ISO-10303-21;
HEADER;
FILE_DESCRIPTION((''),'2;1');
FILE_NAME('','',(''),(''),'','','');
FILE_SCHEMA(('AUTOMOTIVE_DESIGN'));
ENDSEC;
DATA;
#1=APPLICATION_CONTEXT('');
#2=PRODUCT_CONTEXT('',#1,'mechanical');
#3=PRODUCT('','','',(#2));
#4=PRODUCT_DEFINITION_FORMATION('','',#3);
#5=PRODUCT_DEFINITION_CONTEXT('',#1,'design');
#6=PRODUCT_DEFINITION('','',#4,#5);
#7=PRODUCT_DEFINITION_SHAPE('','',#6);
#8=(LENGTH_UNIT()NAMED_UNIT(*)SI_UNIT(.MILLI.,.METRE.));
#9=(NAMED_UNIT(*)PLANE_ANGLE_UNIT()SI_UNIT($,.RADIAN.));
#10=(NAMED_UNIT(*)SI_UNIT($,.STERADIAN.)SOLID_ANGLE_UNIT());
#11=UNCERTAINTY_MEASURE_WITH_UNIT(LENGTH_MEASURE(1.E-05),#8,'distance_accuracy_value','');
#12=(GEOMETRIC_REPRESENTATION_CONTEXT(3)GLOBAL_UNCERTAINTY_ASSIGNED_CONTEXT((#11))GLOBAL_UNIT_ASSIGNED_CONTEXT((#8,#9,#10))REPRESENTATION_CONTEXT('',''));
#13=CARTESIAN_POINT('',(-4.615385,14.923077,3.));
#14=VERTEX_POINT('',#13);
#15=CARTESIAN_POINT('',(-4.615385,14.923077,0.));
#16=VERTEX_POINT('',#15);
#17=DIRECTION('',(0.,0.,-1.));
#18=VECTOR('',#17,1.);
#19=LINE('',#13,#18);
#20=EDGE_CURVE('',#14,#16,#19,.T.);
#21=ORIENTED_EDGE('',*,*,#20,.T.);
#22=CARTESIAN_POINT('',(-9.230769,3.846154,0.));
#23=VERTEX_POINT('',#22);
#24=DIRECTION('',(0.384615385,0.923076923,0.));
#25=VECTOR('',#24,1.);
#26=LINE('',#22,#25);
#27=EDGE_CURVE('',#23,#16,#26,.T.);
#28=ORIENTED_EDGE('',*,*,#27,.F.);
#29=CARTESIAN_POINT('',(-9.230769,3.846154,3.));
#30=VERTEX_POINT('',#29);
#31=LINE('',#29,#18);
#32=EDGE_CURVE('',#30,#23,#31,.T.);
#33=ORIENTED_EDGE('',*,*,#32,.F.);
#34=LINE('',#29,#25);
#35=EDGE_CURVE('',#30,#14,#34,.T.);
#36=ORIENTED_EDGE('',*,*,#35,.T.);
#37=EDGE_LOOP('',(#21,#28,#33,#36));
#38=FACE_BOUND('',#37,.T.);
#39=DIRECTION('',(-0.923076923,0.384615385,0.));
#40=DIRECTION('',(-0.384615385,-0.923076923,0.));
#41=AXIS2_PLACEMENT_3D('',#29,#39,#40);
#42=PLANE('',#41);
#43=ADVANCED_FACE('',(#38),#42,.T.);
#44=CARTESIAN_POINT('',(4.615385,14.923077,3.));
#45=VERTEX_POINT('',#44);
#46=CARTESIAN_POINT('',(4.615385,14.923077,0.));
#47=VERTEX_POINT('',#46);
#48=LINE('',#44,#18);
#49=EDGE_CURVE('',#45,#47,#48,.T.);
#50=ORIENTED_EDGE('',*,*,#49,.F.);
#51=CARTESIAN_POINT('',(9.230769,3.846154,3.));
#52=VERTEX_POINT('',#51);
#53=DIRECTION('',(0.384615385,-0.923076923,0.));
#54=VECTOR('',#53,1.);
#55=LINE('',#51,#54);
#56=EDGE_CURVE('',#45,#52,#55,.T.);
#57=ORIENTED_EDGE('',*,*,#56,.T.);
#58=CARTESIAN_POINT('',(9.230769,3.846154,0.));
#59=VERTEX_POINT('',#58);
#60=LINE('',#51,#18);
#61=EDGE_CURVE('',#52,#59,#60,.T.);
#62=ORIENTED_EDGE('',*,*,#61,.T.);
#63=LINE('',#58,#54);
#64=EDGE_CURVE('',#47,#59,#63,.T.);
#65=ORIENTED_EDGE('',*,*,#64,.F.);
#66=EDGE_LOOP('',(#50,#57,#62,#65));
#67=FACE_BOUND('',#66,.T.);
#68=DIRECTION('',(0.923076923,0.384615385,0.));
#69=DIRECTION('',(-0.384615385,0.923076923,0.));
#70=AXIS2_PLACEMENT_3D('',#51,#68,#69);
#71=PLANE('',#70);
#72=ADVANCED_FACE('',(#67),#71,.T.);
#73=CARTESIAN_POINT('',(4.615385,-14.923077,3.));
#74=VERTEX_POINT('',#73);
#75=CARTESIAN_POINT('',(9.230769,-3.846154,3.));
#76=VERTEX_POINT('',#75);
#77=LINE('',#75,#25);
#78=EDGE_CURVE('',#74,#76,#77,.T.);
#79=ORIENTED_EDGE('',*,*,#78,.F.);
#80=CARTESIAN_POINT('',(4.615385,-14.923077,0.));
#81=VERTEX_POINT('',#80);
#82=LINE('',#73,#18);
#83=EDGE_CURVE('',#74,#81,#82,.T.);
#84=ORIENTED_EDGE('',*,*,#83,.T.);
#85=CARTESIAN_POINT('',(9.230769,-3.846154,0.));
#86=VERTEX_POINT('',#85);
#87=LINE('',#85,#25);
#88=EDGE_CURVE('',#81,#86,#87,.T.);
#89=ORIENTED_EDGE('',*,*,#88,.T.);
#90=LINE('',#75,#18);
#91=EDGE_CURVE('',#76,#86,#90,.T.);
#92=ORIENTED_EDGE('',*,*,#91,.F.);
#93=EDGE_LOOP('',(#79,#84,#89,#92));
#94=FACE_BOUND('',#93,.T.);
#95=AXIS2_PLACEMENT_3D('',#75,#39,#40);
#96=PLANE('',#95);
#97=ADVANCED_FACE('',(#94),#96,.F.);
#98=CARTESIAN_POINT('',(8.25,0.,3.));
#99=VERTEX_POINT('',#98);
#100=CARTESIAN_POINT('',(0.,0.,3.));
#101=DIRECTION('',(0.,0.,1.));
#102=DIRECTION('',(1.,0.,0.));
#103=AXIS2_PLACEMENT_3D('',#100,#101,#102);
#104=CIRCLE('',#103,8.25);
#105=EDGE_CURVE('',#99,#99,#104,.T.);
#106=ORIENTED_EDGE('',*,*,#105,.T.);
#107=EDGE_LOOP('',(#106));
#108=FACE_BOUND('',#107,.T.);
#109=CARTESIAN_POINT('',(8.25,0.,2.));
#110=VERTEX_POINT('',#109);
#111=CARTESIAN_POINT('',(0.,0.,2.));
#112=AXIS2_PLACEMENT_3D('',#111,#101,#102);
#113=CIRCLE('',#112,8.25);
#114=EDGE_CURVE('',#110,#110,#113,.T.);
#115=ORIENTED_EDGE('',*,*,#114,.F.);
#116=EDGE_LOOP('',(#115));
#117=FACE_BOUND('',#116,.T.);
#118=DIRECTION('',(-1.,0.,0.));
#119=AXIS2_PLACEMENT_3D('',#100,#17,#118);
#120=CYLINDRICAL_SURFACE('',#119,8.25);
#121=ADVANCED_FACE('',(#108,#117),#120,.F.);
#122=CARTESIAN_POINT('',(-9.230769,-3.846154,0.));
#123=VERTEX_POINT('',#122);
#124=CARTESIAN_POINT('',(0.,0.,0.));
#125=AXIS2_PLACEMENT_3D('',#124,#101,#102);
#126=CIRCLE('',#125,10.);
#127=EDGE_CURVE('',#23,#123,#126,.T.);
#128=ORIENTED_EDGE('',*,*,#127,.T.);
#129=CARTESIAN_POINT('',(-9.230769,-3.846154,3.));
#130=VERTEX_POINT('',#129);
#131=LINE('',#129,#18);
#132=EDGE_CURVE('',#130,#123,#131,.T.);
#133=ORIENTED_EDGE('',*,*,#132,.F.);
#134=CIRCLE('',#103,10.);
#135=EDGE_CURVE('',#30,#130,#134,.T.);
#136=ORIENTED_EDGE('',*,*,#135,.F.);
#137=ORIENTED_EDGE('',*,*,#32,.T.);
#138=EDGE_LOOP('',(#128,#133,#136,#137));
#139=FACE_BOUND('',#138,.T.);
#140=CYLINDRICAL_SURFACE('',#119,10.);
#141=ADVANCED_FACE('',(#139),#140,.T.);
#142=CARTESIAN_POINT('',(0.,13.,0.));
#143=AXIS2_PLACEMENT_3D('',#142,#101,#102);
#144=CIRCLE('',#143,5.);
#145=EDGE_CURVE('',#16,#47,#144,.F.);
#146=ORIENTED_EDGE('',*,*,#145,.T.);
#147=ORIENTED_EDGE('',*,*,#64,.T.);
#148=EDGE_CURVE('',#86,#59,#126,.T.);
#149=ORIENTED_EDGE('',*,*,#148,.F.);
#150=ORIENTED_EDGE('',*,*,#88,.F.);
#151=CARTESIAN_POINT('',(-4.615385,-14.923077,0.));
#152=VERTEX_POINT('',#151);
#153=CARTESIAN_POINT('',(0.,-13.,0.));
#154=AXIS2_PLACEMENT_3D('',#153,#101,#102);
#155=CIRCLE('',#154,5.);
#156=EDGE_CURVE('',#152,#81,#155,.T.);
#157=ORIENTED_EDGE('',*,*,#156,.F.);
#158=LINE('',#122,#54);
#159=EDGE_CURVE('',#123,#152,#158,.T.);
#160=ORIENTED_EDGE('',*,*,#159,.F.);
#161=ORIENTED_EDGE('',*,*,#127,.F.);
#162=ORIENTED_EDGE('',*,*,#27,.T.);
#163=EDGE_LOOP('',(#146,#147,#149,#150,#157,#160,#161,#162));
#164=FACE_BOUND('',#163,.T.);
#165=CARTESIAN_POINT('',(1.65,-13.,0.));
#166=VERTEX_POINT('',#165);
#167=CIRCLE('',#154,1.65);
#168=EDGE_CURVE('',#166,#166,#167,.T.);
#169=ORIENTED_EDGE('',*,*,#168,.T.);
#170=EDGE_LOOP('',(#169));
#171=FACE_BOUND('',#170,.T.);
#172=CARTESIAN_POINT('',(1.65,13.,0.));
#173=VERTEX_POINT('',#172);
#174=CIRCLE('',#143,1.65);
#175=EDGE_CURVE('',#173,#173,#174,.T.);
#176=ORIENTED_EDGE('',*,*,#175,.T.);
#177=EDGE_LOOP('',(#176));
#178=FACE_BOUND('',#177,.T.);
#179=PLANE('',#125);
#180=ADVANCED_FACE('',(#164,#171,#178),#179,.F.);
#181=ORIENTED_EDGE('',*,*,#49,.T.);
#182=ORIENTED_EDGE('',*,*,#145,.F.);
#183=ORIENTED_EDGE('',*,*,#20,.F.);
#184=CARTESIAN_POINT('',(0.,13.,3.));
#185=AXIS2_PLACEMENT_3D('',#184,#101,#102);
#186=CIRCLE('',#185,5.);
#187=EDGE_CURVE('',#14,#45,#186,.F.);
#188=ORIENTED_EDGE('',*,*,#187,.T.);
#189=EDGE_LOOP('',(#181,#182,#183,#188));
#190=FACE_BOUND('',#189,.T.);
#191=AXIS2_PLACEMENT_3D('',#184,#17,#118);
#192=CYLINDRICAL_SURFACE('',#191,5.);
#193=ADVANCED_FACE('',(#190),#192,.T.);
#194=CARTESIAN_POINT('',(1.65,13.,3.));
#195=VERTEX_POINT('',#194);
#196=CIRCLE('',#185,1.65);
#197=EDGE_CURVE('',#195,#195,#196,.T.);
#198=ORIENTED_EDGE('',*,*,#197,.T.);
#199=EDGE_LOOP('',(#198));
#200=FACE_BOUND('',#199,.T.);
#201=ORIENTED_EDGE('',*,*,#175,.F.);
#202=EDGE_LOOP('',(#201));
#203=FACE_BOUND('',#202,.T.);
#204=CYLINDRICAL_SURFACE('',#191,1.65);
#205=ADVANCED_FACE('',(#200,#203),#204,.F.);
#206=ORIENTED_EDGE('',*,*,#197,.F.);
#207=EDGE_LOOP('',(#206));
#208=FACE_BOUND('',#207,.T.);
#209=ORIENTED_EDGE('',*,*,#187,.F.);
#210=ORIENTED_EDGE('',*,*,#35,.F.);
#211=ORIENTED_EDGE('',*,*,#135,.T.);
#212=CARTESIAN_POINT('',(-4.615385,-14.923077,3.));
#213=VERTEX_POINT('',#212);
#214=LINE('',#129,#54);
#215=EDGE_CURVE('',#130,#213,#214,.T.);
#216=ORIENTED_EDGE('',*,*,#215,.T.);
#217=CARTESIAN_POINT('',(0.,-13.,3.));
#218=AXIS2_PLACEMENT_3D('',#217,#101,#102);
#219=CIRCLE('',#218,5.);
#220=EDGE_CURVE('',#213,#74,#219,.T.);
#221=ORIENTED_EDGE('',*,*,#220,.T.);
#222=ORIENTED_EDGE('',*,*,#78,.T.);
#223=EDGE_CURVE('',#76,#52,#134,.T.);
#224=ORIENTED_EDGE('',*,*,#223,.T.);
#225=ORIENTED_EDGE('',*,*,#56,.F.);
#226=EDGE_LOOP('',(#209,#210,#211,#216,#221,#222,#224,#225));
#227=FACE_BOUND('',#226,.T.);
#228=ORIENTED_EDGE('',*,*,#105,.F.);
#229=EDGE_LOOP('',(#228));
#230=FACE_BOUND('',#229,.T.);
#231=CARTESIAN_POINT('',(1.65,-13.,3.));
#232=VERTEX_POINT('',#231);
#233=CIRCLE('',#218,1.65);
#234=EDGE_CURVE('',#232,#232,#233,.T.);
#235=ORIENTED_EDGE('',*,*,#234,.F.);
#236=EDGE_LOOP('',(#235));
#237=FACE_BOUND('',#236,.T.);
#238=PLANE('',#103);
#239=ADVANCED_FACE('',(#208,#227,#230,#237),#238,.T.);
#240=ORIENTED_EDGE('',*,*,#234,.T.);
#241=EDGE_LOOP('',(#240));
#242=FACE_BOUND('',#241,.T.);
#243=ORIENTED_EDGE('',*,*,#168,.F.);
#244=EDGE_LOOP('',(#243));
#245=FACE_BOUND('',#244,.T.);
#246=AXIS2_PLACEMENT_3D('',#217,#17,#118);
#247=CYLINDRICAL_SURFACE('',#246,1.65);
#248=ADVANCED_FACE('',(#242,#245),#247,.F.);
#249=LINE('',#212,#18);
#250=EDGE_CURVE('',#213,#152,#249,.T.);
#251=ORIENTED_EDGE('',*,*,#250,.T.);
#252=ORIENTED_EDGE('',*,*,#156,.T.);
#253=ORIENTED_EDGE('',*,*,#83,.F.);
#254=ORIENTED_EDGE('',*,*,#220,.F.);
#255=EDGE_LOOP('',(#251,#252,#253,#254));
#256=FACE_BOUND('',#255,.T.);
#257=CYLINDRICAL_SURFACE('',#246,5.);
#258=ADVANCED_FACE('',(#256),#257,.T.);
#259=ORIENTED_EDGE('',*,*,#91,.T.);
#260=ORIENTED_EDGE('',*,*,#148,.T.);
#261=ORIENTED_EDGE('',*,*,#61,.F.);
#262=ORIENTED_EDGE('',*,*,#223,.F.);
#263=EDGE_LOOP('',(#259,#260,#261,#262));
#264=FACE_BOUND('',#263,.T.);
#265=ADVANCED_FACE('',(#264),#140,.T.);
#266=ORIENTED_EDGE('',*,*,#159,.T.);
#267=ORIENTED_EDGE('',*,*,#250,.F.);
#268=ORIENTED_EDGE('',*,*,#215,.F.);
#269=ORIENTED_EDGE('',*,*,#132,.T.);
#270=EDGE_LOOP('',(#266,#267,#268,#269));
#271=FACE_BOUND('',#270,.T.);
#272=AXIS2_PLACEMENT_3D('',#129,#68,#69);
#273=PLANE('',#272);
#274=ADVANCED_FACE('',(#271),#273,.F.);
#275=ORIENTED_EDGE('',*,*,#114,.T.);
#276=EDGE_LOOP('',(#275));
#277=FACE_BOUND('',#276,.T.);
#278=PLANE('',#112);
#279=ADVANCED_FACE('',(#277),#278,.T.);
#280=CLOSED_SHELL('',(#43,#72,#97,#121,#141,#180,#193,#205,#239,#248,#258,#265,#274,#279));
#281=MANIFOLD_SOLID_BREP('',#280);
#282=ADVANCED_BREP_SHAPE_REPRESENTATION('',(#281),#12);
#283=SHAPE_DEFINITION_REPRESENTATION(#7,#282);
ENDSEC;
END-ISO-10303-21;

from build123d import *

# Parameters (mm, degrees)
SKETCH_1_R      = 1.65
SKETCH_1_R_2    = 8.25
EXTRUDE_1_DEPTH = 3
SKETCH_1_3_R    = 8.25
EXTRUDE_2_DEPTH = 2


with BuildPart() as part:
    # 草图1 → 凸台-拉伸1 (new body)
    with BuildSketch(Plane.XY):
        with BuildLine():
            Line((-4.615384615, 14.923076923), (-9.230769231, 3.846153846))
            ThreePointArc((-9.230769231, 3.846153846), (-10, 0), (-9.230769231, -3.846153846))
            Line((-9.230769231, -3.846153846), (-4.615384615, -14.923076923))
            ThreePointArc((-4.615384615, -14.923076923), (0, -18), (4.615384615, -14.923076923))
            Line((4.615384615, -14.923076923), (9.230769231, -3.846153846))
            ThreePointArc((9.230769231, -3.846153846), (10, 0), (9.230769231, 3.846153846))
            Line((9.230769231, 3.846153846), (4.615384615, 14.923076923))
            ThreePointArc((4.615384615, 14.923076923), (0, 18), (-4.615384615, 14.923076923))
        make_face()
        with Locations((0, 13)):
            Circle(SKETCH_1_R, mode=Mode.SUBTRACT)
        Circle(SKETCH_1_R_2, mode=Mode.SUBTRACT)
        with Locations((0, -13)):
            Circle(SKETCH_1_R, mode=Mode.SUBTRACT)
    extrude(amount=EXTRUDE_1_DEPTH)

    # 草图1<3> → 凸台-拉伸2 (add)
    with BuildSketch(Plane.XY):
        Circle(SKETCH_1_3_R)
    extrude(amount=EXTRUDE_2_DEPTH)


solid = part.part
